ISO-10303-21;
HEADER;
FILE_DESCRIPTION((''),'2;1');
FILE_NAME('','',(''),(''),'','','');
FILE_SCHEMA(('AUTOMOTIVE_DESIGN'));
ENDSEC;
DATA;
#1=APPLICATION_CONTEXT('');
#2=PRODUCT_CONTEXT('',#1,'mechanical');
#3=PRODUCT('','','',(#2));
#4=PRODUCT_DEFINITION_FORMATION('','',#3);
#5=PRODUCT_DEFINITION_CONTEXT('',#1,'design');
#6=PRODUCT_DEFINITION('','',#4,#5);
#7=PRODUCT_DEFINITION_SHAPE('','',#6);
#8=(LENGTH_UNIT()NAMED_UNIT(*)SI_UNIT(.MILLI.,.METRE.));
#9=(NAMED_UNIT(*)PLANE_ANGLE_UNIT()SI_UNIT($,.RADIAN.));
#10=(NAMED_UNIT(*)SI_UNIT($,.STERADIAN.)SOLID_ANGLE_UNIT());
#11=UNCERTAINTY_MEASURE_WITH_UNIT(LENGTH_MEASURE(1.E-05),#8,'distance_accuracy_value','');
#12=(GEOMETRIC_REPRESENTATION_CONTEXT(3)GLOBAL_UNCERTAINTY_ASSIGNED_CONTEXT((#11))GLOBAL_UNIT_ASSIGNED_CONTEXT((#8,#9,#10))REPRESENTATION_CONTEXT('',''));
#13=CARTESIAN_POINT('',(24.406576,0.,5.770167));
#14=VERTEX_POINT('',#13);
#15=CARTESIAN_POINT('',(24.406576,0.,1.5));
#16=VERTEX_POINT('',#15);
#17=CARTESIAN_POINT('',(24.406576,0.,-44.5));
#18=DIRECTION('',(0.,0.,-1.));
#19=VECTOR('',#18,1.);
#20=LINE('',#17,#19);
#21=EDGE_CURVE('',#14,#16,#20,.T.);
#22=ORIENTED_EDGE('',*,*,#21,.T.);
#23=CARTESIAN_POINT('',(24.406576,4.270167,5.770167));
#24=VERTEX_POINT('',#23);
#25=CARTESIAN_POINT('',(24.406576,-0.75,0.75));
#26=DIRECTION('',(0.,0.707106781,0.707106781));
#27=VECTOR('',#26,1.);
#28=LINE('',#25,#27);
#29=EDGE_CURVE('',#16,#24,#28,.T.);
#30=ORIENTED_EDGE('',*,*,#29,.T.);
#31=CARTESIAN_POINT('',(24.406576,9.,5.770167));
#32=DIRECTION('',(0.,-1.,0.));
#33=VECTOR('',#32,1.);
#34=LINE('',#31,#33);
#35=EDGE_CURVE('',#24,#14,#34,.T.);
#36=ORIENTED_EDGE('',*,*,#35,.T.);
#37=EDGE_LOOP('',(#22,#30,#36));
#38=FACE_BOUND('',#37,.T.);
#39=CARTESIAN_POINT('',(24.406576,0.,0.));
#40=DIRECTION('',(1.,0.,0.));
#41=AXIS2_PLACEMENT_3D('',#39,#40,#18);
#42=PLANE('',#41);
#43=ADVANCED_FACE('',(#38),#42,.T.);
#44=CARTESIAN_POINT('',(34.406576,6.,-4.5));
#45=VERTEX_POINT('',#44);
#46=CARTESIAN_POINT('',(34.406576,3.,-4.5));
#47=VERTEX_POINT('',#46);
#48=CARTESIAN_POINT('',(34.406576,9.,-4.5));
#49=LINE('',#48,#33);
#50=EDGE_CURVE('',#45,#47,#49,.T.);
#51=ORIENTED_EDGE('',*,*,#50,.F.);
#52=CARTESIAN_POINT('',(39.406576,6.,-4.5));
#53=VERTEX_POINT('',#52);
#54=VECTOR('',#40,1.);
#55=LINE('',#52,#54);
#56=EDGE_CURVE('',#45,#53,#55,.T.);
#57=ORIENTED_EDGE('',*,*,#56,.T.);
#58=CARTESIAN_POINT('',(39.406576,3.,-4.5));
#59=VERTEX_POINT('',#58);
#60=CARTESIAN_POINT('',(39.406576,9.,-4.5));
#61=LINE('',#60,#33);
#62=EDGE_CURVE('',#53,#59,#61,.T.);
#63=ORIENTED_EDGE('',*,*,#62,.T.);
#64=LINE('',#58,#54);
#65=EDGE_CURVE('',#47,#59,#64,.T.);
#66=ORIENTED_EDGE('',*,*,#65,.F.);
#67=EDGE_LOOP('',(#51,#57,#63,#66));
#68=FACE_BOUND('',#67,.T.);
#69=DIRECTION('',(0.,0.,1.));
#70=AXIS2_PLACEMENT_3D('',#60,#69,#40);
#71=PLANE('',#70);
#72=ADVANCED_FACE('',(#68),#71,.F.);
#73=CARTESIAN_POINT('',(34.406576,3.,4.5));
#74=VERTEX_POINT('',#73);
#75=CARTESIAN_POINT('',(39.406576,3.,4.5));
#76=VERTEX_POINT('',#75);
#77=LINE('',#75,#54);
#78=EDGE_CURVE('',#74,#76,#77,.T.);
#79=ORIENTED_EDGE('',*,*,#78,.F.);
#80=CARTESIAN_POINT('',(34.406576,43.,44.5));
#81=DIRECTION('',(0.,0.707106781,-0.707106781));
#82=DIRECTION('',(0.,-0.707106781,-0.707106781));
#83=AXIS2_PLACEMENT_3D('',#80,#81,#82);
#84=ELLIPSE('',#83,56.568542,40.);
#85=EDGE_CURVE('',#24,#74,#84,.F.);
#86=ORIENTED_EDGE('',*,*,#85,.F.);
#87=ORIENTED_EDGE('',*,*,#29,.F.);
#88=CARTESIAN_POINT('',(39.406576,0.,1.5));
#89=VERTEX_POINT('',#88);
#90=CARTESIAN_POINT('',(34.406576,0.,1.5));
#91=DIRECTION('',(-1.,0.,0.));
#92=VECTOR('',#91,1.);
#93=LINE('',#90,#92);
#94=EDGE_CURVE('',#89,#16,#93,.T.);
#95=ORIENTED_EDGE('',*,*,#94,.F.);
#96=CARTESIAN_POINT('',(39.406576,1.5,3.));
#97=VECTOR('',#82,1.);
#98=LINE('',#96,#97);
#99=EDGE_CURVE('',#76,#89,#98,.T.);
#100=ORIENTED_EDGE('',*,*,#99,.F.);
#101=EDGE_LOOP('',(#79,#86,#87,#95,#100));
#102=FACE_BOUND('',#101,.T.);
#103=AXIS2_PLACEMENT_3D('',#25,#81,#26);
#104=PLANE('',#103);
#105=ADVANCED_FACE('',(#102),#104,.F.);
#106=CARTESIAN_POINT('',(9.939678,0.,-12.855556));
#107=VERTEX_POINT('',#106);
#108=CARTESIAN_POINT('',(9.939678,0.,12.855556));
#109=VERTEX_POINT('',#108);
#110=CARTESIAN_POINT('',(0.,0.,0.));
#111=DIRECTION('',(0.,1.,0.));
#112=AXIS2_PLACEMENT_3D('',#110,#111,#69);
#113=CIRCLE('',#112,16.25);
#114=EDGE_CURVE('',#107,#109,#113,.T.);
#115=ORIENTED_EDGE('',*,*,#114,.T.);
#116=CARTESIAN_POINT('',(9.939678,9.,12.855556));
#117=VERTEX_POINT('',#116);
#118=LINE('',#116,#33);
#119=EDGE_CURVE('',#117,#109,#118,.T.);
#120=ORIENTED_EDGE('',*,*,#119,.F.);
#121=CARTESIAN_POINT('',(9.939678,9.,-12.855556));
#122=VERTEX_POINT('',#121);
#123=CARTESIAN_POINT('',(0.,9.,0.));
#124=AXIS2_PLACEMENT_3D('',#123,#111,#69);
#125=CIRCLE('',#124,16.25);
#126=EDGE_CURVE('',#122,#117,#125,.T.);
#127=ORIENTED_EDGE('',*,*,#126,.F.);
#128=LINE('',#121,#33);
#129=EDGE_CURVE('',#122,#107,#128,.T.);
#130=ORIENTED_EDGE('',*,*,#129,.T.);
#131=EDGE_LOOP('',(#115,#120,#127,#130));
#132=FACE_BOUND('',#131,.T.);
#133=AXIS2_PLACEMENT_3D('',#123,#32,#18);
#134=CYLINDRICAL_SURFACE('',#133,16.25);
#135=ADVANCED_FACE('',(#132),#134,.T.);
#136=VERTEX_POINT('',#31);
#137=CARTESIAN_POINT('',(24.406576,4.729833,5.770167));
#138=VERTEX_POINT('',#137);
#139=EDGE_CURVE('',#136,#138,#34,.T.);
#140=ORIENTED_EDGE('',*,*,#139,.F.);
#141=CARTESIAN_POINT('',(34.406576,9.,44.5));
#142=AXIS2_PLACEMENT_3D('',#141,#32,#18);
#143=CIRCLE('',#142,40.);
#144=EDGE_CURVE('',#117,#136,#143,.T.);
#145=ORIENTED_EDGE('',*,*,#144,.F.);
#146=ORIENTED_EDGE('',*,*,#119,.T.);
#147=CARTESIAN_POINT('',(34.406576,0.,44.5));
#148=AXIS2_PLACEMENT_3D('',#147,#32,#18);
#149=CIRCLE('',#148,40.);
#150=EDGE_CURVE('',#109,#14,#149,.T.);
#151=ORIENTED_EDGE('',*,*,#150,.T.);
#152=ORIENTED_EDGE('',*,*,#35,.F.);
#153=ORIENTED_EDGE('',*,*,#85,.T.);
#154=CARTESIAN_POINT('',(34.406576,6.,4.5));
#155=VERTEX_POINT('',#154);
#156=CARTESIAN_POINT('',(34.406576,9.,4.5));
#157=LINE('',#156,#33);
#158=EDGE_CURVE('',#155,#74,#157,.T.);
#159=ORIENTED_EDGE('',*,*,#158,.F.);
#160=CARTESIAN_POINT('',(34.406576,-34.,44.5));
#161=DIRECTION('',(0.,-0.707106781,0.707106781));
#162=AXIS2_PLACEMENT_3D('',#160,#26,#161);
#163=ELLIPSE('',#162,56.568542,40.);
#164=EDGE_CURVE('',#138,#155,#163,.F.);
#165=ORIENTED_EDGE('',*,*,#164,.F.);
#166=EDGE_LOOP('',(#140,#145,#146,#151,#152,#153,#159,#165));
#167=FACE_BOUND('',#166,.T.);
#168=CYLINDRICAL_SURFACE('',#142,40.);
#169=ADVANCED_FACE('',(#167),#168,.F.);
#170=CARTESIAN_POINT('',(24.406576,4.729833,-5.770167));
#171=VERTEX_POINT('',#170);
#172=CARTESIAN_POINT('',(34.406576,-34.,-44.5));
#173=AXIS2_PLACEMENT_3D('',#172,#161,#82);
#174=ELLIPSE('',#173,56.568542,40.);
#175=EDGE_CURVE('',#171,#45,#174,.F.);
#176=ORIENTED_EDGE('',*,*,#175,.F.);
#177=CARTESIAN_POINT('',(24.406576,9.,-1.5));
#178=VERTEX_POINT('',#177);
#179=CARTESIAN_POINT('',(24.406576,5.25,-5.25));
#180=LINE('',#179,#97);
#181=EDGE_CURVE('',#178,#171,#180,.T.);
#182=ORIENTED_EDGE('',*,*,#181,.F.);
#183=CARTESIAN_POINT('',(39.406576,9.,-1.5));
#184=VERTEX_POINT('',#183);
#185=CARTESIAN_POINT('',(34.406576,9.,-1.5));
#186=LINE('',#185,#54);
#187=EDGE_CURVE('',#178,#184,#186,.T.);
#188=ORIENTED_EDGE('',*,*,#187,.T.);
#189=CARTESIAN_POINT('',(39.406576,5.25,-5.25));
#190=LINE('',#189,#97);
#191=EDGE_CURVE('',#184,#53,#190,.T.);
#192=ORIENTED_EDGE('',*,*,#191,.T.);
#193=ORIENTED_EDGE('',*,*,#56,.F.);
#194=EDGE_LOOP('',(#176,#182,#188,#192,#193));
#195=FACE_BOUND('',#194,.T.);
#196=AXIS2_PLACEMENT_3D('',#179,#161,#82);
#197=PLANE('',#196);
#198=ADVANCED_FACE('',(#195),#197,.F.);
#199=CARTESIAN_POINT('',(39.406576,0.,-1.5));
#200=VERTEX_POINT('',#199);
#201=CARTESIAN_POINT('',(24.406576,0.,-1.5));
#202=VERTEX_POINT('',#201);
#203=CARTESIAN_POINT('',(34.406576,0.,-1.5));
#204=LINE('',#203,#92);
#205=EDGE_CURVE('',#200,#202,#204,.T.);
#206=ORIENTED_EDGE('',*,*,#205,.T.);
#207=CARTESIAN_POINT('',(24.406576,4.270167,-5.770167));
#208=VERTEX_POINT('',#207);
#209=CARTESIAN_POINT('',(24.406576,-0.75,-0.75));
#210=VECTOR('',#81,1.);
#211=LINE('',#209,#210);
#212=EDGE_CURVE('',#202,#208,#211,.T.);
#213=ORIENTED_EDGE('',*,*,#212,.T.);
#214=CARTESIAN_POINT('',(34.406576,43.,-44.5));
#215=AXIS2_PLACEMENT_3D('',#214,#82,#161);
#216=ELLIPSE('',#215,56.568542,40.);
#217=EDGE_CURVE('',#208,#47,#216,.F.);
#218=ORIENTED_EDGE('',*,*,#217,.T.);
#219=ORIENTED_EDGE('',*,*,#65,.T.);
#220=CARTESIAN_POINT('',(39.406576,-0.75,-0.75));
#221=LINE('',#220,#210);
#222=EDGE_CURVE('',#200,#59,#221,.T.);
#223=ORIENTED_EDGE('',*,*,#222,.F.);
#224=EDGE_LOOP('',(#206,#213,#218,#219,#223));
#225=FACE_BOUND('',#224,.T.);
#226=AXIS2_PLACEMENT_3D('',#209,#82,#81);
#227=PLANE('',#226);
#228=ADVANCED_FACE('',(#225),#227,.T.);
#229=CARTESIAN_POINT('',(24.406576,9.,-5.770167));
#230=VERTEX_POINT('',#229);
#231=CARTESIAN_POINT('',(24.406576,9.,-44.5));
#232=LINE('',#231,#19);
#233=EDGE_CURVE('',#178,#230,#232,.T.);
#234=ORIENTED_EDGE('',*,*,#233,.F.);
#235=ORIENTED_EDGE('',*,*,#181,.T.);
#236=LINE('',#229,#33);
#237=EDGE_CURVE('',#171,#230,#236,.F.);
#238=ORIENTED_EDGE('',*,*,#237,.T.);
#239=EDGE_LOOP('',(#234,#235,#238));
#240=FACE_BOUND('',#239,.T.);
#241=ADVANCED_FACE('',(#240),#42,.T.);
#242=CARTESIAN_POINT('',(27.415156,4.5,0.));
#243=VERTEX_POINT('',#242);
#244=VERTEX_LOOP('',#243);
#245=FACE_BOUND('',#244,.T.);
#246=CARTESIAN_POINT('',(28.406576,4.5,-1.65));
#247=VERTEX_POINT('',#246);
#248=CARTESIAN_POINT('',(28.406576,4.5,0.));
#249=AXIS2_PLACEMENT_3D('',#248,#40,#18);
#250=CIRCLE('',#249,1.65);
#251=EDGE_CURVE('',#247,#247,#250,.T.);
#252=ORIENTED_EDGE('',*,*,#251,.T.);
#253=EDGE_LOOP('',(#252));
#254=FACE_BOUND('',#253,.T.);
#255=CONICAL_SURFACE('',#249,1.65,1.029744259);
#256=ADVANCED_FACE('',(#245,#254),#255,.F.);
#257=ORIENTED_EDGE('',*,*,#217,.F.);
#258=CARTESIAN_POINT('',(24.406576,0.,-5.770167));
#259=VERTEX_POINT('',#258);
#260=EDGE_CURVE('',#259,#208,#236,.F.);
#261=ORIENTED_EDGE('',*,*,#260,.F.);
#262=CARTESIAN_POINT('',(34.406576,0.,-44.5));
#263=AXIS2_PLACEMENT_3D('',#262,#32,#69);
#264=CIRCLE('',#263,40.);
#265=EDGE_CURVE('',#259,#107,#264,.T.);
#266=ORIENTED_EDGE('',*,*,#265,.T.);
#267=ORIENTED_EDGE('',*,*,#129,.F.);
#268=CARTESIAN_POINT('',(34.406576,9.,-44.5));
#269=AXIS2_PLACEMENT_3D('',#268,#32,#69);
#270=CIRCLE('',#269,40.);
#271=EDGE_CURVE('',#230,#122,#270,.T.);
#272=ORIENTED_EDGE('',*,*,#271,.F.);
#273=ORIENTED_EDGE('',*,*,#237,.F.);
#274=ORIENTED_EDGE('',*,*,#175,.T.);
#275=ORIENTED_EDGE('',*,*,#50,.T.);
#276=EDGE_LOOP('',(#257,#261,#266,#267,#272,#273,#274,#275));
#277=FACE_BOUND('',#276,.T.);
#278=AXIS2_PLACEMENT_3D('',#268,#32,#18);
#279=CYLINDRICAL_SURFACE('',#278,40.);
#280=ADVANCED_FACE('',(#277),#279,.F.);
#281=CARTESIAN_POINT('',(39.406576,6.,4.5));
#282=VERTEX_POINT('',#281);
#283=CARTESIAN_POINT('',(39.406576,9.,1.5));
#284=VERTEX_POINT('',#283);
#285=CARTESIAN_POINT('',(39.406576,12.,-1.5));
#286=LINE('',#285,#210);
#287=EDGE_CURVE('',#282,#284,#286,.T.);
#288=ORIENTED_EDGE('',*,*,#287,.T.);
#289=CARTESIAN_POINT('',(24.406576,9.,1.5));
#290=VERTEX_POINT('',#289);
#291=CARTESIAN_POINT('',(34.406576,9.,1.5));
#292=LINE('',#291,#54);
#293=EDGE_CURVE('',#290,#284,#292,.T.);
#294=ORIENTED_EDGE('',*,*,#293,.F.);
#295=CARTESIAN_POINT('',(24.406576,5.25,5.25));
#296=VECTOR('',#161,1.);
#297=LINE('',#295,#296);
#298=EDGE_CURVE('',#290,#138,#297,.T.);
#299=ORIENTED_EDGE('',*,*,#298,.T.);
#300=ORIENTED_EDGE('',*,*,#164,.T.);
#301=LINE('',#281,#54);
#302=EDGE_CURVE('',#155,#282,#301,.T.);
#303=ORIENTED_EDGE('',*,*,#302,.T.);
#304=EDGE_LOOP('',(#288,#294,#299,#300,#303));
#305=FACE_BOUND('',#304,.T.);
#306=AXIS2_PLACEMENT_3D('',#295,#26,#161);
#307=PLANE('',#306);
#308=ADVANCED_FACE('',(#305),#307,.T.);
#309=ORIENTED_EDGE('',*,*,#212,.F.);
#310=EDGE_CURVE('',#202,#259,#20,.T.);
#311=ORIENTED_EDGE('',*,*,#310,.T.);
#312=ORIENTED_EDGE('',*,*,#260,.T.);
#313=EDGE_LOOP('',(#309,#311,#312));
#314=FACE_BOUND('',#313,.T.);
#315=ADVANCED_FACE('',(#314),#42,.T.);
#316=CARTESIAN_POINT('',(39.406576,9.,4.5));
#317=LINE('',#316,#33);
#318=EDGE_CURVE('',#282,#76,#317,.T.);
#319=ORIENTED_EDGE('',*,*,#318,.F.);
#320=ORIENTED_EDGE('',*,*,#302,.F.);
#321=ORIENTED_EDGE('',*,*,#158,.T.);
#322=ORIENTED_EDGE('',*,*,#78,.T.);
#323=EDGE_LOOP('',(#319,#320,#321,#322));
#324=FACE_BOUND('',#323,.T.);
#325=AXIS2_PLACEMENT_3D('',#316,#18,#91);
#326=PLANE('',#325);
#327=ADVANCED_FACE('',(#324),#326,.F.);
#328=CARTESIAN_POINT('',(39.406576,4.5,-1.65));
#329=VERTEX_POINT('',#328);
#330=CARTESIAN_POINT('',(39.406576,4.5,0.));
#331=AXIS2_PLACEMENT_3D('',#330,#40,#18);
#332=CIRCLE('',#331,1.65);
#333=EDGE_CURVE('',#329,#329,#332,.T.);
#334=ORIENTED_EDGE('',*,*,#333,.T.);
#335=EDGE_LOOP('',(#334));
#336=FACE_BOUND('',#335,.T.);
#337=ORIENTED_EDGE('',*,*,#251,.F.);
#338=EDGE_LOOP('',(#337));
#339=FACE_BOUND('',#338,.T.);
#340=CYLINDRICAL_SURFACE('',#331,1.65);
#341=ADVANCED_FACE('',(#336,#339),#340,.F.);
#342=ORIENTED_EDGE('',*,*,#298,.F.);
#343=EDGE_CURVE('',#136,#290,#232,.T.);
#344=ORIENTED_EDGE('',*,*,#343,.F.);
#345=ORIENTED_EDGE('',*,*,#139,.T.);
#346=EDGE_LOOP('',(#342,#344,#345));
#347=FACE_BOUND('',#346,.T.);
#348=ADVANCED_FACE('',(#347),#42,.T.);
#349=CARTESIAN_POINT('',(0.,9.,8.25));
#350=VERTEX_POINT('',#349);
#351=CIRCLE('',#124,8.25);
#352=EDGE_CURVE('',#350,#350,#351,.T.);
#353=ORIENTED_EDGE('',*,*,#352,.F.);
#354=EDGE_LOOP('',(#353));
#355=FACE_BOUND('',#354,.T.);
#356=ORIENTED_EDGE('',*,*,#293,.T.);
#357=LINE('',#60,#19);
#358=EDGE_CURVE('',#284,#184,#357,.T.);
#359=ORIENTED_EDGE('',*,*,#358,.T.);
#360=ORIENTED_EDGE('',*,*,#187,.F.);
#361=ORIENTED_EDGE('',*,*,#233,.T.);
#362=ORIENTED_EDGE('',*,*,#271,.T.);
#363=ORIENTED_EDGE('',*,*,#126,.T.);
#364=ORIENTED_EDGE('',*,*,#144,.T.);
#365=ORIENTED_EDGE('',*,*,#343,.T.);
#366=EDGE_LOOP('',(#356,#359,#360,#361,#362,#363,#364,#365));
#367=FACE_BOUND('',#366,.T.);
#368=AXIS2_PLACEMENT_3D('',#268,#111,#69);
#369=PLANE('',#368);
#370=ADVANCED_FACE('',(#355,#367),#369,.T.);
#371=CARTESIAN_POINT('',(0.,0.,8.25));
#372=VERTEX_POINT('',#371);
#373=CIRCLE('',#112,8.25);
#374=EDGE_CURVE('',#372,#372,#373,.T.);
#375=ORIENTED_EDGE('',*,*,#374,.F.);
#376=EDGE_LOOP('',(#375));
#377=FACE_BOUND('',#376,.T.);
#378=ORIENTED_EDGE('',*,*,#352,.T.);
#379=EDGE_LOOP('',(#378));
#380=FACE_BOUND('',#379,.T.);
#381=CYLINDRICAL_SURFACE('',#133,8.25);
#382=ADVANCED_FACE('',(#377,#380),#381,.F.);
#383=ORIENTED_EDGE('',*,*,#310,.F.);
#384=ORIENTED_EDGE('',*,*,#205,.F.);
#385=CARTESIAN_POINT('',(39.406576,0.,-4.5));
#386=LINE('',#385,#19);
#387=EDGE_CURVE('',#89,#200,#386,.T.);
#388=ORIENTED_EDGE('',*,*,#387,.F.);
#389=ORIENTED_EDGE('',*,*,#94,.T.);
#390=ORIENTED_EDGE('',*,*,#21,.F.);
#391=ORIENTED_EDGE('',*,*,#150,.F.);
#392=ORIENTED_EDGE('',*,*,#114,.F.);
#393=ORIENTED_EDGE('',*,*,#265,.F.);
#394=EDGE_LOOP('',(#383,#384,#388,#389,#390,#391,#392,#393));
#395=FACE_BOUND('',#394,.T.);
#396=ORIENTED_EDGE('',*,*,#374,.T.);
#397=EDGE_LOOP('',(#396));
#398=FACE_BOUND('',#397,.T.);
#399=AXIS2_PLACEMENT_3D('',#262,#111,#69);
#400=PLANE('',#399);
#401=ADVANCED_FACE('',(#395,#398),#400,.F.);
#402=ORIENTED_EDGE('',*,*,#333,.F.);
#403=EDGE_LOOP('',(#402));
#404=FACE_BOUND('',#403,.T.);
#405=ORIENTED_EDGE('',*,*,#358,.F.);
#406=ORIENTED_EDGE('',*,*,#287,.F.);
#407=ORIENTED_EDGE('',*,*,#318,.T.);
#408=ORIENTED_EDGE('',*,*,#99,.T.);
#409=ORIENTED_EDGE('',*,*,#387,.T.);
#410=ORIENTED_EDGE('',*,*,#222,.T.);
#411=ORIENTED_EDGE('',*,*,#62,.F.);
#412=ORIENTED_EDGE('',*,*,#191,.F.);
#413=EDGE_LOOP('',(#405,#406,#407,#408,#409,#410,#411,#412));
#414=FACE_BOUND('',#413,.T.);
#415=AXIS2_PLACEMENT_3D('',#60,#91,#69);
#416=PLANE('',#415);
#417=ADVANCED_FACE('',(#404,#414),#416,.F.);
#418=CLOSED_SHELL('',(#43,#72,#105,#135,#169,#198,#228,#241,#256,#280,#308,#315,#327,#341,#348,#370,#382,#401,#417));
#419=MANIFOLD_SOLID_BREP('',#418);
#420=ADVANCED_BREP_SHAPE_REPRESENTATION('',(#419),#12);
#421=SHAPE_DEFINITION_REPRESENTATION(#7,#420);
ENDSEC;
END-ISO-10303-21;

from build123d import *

# Parameters (mm, degrees)
SKETCH1_R                 = 8.25
BOSS_EXTRUDE1_DEPTH       = 9
M4X0_7_TAPPED_HOLE1_D     = 3.3
M4X0_7_TAPPED_HOLE1_DEPTH = 11
M4X0_7_TAPPED_HOLE1_TIP   = 0.991420021
CUT_EXTRUDE4_DEPTH        = 15


with BuildPart() as part:
    # Sketch1 → Boss-Extrude1 (new body)
    with BuildSketch(Plane(origin=(0, 0, 0), x_dir=(1, 0, 0), z_dir=(0, 1, 0))):
        with BuildLine():
            Line((39.406576406, 4.5), (39.406576406, -4.5))
            Line((39.406576406, -4.5), (34.406576406, -4.5))
            ThreePointArc((34.406576406, -4.5), (21.47943012, -6.646481156), (9.939677628, -12.855555556))
            ThreePointArc((9.939677628, -12.855555556), (-16.25, 0), (9.939677628, 12.855555556))
            ThreePointArc((9.939677628, 12.855555556), (21.47943012, 6.646481156), (34.406576406, 4.5))
            Line((34.406576406, 4.5), (39.406576406, 4.5))
        make_face()
        with Locations(Location((0, 0, 0), (0, 0, 270))):
            Circle(SKETCH1_R, mode=Mode.SUBTRACT)
    extrude(amount=BOSS_EXTRUDE1_DEPTH)

    # M4x0.7 Tapped Hole1
    with Locations(Plane(origin=(39.406576406, 0, 0), x_dir=(0, 0, -1), z_dir=(1, 0, 0))):
        with Locations((0, 4.5)):
            Hole(M4X0_7_TAPPED_HOLE1_D / 2, depth=M4X0_7_TAPPED_HOLE1_DEPTH)
            with Locations((0, 0, -(M4X0_7_TAPPED_HOLE1_DEPTH + M4X0_7_TAPPED_HOLE1_TIP / 2))):  # 118° drill point
                Cone(0, M4X0_7_TAPPED_HOLE1_D / 2, M4X0_7_TAPPED_HOLE1_TIP, mode=Mode.SUBTRACT)

    # Sketch11 → Cut-Extrude4 (cut)
    with BuildSketch(Plane(origin=(39.406576406, 0, 0), x_dir=(0, 0, -1), z_dir=(1, 0, 0))):
        Polygon((-1.5, 9), (0, 10.5), (-6, 10.5), (-6, 4.5), (-4.5, 6), (-4.5, 9), align=None)
        Polygon((-4.5, 6), (-1.5, 9), (-4.5, 9), align=None)
        Polygon((6, 10.5), (0, 10.5), (1.5, 9), (4.5, 9), (4.5, 6), (6, 4.5), align=None)
        Polygon((4.5, 9), (1.5, 9), (4.5, 6), align=None)
        Polygon((4.5, 0), (4.5, 3), (1.5, 0), align=None)
        Polygon((6, -1.5), (6, 4.5), (4.5, 3), (4.5, 0), (1.5, 0), (0, -1.5), align=None)
        Polygon((-1.5, 0), (-4.5, 3), (-4.5, 0), align=None)
        Polygon((-4.5, 3), (-6, 4.5), (-6, -1.5), (0, -1.5), (-1.5, 0), (-4.5, 0), align=None)
    extrude(amount=-CUT_EXTRUDE4_DEPTH, mode=Mode.SUBTRACT)


solid = part.part
